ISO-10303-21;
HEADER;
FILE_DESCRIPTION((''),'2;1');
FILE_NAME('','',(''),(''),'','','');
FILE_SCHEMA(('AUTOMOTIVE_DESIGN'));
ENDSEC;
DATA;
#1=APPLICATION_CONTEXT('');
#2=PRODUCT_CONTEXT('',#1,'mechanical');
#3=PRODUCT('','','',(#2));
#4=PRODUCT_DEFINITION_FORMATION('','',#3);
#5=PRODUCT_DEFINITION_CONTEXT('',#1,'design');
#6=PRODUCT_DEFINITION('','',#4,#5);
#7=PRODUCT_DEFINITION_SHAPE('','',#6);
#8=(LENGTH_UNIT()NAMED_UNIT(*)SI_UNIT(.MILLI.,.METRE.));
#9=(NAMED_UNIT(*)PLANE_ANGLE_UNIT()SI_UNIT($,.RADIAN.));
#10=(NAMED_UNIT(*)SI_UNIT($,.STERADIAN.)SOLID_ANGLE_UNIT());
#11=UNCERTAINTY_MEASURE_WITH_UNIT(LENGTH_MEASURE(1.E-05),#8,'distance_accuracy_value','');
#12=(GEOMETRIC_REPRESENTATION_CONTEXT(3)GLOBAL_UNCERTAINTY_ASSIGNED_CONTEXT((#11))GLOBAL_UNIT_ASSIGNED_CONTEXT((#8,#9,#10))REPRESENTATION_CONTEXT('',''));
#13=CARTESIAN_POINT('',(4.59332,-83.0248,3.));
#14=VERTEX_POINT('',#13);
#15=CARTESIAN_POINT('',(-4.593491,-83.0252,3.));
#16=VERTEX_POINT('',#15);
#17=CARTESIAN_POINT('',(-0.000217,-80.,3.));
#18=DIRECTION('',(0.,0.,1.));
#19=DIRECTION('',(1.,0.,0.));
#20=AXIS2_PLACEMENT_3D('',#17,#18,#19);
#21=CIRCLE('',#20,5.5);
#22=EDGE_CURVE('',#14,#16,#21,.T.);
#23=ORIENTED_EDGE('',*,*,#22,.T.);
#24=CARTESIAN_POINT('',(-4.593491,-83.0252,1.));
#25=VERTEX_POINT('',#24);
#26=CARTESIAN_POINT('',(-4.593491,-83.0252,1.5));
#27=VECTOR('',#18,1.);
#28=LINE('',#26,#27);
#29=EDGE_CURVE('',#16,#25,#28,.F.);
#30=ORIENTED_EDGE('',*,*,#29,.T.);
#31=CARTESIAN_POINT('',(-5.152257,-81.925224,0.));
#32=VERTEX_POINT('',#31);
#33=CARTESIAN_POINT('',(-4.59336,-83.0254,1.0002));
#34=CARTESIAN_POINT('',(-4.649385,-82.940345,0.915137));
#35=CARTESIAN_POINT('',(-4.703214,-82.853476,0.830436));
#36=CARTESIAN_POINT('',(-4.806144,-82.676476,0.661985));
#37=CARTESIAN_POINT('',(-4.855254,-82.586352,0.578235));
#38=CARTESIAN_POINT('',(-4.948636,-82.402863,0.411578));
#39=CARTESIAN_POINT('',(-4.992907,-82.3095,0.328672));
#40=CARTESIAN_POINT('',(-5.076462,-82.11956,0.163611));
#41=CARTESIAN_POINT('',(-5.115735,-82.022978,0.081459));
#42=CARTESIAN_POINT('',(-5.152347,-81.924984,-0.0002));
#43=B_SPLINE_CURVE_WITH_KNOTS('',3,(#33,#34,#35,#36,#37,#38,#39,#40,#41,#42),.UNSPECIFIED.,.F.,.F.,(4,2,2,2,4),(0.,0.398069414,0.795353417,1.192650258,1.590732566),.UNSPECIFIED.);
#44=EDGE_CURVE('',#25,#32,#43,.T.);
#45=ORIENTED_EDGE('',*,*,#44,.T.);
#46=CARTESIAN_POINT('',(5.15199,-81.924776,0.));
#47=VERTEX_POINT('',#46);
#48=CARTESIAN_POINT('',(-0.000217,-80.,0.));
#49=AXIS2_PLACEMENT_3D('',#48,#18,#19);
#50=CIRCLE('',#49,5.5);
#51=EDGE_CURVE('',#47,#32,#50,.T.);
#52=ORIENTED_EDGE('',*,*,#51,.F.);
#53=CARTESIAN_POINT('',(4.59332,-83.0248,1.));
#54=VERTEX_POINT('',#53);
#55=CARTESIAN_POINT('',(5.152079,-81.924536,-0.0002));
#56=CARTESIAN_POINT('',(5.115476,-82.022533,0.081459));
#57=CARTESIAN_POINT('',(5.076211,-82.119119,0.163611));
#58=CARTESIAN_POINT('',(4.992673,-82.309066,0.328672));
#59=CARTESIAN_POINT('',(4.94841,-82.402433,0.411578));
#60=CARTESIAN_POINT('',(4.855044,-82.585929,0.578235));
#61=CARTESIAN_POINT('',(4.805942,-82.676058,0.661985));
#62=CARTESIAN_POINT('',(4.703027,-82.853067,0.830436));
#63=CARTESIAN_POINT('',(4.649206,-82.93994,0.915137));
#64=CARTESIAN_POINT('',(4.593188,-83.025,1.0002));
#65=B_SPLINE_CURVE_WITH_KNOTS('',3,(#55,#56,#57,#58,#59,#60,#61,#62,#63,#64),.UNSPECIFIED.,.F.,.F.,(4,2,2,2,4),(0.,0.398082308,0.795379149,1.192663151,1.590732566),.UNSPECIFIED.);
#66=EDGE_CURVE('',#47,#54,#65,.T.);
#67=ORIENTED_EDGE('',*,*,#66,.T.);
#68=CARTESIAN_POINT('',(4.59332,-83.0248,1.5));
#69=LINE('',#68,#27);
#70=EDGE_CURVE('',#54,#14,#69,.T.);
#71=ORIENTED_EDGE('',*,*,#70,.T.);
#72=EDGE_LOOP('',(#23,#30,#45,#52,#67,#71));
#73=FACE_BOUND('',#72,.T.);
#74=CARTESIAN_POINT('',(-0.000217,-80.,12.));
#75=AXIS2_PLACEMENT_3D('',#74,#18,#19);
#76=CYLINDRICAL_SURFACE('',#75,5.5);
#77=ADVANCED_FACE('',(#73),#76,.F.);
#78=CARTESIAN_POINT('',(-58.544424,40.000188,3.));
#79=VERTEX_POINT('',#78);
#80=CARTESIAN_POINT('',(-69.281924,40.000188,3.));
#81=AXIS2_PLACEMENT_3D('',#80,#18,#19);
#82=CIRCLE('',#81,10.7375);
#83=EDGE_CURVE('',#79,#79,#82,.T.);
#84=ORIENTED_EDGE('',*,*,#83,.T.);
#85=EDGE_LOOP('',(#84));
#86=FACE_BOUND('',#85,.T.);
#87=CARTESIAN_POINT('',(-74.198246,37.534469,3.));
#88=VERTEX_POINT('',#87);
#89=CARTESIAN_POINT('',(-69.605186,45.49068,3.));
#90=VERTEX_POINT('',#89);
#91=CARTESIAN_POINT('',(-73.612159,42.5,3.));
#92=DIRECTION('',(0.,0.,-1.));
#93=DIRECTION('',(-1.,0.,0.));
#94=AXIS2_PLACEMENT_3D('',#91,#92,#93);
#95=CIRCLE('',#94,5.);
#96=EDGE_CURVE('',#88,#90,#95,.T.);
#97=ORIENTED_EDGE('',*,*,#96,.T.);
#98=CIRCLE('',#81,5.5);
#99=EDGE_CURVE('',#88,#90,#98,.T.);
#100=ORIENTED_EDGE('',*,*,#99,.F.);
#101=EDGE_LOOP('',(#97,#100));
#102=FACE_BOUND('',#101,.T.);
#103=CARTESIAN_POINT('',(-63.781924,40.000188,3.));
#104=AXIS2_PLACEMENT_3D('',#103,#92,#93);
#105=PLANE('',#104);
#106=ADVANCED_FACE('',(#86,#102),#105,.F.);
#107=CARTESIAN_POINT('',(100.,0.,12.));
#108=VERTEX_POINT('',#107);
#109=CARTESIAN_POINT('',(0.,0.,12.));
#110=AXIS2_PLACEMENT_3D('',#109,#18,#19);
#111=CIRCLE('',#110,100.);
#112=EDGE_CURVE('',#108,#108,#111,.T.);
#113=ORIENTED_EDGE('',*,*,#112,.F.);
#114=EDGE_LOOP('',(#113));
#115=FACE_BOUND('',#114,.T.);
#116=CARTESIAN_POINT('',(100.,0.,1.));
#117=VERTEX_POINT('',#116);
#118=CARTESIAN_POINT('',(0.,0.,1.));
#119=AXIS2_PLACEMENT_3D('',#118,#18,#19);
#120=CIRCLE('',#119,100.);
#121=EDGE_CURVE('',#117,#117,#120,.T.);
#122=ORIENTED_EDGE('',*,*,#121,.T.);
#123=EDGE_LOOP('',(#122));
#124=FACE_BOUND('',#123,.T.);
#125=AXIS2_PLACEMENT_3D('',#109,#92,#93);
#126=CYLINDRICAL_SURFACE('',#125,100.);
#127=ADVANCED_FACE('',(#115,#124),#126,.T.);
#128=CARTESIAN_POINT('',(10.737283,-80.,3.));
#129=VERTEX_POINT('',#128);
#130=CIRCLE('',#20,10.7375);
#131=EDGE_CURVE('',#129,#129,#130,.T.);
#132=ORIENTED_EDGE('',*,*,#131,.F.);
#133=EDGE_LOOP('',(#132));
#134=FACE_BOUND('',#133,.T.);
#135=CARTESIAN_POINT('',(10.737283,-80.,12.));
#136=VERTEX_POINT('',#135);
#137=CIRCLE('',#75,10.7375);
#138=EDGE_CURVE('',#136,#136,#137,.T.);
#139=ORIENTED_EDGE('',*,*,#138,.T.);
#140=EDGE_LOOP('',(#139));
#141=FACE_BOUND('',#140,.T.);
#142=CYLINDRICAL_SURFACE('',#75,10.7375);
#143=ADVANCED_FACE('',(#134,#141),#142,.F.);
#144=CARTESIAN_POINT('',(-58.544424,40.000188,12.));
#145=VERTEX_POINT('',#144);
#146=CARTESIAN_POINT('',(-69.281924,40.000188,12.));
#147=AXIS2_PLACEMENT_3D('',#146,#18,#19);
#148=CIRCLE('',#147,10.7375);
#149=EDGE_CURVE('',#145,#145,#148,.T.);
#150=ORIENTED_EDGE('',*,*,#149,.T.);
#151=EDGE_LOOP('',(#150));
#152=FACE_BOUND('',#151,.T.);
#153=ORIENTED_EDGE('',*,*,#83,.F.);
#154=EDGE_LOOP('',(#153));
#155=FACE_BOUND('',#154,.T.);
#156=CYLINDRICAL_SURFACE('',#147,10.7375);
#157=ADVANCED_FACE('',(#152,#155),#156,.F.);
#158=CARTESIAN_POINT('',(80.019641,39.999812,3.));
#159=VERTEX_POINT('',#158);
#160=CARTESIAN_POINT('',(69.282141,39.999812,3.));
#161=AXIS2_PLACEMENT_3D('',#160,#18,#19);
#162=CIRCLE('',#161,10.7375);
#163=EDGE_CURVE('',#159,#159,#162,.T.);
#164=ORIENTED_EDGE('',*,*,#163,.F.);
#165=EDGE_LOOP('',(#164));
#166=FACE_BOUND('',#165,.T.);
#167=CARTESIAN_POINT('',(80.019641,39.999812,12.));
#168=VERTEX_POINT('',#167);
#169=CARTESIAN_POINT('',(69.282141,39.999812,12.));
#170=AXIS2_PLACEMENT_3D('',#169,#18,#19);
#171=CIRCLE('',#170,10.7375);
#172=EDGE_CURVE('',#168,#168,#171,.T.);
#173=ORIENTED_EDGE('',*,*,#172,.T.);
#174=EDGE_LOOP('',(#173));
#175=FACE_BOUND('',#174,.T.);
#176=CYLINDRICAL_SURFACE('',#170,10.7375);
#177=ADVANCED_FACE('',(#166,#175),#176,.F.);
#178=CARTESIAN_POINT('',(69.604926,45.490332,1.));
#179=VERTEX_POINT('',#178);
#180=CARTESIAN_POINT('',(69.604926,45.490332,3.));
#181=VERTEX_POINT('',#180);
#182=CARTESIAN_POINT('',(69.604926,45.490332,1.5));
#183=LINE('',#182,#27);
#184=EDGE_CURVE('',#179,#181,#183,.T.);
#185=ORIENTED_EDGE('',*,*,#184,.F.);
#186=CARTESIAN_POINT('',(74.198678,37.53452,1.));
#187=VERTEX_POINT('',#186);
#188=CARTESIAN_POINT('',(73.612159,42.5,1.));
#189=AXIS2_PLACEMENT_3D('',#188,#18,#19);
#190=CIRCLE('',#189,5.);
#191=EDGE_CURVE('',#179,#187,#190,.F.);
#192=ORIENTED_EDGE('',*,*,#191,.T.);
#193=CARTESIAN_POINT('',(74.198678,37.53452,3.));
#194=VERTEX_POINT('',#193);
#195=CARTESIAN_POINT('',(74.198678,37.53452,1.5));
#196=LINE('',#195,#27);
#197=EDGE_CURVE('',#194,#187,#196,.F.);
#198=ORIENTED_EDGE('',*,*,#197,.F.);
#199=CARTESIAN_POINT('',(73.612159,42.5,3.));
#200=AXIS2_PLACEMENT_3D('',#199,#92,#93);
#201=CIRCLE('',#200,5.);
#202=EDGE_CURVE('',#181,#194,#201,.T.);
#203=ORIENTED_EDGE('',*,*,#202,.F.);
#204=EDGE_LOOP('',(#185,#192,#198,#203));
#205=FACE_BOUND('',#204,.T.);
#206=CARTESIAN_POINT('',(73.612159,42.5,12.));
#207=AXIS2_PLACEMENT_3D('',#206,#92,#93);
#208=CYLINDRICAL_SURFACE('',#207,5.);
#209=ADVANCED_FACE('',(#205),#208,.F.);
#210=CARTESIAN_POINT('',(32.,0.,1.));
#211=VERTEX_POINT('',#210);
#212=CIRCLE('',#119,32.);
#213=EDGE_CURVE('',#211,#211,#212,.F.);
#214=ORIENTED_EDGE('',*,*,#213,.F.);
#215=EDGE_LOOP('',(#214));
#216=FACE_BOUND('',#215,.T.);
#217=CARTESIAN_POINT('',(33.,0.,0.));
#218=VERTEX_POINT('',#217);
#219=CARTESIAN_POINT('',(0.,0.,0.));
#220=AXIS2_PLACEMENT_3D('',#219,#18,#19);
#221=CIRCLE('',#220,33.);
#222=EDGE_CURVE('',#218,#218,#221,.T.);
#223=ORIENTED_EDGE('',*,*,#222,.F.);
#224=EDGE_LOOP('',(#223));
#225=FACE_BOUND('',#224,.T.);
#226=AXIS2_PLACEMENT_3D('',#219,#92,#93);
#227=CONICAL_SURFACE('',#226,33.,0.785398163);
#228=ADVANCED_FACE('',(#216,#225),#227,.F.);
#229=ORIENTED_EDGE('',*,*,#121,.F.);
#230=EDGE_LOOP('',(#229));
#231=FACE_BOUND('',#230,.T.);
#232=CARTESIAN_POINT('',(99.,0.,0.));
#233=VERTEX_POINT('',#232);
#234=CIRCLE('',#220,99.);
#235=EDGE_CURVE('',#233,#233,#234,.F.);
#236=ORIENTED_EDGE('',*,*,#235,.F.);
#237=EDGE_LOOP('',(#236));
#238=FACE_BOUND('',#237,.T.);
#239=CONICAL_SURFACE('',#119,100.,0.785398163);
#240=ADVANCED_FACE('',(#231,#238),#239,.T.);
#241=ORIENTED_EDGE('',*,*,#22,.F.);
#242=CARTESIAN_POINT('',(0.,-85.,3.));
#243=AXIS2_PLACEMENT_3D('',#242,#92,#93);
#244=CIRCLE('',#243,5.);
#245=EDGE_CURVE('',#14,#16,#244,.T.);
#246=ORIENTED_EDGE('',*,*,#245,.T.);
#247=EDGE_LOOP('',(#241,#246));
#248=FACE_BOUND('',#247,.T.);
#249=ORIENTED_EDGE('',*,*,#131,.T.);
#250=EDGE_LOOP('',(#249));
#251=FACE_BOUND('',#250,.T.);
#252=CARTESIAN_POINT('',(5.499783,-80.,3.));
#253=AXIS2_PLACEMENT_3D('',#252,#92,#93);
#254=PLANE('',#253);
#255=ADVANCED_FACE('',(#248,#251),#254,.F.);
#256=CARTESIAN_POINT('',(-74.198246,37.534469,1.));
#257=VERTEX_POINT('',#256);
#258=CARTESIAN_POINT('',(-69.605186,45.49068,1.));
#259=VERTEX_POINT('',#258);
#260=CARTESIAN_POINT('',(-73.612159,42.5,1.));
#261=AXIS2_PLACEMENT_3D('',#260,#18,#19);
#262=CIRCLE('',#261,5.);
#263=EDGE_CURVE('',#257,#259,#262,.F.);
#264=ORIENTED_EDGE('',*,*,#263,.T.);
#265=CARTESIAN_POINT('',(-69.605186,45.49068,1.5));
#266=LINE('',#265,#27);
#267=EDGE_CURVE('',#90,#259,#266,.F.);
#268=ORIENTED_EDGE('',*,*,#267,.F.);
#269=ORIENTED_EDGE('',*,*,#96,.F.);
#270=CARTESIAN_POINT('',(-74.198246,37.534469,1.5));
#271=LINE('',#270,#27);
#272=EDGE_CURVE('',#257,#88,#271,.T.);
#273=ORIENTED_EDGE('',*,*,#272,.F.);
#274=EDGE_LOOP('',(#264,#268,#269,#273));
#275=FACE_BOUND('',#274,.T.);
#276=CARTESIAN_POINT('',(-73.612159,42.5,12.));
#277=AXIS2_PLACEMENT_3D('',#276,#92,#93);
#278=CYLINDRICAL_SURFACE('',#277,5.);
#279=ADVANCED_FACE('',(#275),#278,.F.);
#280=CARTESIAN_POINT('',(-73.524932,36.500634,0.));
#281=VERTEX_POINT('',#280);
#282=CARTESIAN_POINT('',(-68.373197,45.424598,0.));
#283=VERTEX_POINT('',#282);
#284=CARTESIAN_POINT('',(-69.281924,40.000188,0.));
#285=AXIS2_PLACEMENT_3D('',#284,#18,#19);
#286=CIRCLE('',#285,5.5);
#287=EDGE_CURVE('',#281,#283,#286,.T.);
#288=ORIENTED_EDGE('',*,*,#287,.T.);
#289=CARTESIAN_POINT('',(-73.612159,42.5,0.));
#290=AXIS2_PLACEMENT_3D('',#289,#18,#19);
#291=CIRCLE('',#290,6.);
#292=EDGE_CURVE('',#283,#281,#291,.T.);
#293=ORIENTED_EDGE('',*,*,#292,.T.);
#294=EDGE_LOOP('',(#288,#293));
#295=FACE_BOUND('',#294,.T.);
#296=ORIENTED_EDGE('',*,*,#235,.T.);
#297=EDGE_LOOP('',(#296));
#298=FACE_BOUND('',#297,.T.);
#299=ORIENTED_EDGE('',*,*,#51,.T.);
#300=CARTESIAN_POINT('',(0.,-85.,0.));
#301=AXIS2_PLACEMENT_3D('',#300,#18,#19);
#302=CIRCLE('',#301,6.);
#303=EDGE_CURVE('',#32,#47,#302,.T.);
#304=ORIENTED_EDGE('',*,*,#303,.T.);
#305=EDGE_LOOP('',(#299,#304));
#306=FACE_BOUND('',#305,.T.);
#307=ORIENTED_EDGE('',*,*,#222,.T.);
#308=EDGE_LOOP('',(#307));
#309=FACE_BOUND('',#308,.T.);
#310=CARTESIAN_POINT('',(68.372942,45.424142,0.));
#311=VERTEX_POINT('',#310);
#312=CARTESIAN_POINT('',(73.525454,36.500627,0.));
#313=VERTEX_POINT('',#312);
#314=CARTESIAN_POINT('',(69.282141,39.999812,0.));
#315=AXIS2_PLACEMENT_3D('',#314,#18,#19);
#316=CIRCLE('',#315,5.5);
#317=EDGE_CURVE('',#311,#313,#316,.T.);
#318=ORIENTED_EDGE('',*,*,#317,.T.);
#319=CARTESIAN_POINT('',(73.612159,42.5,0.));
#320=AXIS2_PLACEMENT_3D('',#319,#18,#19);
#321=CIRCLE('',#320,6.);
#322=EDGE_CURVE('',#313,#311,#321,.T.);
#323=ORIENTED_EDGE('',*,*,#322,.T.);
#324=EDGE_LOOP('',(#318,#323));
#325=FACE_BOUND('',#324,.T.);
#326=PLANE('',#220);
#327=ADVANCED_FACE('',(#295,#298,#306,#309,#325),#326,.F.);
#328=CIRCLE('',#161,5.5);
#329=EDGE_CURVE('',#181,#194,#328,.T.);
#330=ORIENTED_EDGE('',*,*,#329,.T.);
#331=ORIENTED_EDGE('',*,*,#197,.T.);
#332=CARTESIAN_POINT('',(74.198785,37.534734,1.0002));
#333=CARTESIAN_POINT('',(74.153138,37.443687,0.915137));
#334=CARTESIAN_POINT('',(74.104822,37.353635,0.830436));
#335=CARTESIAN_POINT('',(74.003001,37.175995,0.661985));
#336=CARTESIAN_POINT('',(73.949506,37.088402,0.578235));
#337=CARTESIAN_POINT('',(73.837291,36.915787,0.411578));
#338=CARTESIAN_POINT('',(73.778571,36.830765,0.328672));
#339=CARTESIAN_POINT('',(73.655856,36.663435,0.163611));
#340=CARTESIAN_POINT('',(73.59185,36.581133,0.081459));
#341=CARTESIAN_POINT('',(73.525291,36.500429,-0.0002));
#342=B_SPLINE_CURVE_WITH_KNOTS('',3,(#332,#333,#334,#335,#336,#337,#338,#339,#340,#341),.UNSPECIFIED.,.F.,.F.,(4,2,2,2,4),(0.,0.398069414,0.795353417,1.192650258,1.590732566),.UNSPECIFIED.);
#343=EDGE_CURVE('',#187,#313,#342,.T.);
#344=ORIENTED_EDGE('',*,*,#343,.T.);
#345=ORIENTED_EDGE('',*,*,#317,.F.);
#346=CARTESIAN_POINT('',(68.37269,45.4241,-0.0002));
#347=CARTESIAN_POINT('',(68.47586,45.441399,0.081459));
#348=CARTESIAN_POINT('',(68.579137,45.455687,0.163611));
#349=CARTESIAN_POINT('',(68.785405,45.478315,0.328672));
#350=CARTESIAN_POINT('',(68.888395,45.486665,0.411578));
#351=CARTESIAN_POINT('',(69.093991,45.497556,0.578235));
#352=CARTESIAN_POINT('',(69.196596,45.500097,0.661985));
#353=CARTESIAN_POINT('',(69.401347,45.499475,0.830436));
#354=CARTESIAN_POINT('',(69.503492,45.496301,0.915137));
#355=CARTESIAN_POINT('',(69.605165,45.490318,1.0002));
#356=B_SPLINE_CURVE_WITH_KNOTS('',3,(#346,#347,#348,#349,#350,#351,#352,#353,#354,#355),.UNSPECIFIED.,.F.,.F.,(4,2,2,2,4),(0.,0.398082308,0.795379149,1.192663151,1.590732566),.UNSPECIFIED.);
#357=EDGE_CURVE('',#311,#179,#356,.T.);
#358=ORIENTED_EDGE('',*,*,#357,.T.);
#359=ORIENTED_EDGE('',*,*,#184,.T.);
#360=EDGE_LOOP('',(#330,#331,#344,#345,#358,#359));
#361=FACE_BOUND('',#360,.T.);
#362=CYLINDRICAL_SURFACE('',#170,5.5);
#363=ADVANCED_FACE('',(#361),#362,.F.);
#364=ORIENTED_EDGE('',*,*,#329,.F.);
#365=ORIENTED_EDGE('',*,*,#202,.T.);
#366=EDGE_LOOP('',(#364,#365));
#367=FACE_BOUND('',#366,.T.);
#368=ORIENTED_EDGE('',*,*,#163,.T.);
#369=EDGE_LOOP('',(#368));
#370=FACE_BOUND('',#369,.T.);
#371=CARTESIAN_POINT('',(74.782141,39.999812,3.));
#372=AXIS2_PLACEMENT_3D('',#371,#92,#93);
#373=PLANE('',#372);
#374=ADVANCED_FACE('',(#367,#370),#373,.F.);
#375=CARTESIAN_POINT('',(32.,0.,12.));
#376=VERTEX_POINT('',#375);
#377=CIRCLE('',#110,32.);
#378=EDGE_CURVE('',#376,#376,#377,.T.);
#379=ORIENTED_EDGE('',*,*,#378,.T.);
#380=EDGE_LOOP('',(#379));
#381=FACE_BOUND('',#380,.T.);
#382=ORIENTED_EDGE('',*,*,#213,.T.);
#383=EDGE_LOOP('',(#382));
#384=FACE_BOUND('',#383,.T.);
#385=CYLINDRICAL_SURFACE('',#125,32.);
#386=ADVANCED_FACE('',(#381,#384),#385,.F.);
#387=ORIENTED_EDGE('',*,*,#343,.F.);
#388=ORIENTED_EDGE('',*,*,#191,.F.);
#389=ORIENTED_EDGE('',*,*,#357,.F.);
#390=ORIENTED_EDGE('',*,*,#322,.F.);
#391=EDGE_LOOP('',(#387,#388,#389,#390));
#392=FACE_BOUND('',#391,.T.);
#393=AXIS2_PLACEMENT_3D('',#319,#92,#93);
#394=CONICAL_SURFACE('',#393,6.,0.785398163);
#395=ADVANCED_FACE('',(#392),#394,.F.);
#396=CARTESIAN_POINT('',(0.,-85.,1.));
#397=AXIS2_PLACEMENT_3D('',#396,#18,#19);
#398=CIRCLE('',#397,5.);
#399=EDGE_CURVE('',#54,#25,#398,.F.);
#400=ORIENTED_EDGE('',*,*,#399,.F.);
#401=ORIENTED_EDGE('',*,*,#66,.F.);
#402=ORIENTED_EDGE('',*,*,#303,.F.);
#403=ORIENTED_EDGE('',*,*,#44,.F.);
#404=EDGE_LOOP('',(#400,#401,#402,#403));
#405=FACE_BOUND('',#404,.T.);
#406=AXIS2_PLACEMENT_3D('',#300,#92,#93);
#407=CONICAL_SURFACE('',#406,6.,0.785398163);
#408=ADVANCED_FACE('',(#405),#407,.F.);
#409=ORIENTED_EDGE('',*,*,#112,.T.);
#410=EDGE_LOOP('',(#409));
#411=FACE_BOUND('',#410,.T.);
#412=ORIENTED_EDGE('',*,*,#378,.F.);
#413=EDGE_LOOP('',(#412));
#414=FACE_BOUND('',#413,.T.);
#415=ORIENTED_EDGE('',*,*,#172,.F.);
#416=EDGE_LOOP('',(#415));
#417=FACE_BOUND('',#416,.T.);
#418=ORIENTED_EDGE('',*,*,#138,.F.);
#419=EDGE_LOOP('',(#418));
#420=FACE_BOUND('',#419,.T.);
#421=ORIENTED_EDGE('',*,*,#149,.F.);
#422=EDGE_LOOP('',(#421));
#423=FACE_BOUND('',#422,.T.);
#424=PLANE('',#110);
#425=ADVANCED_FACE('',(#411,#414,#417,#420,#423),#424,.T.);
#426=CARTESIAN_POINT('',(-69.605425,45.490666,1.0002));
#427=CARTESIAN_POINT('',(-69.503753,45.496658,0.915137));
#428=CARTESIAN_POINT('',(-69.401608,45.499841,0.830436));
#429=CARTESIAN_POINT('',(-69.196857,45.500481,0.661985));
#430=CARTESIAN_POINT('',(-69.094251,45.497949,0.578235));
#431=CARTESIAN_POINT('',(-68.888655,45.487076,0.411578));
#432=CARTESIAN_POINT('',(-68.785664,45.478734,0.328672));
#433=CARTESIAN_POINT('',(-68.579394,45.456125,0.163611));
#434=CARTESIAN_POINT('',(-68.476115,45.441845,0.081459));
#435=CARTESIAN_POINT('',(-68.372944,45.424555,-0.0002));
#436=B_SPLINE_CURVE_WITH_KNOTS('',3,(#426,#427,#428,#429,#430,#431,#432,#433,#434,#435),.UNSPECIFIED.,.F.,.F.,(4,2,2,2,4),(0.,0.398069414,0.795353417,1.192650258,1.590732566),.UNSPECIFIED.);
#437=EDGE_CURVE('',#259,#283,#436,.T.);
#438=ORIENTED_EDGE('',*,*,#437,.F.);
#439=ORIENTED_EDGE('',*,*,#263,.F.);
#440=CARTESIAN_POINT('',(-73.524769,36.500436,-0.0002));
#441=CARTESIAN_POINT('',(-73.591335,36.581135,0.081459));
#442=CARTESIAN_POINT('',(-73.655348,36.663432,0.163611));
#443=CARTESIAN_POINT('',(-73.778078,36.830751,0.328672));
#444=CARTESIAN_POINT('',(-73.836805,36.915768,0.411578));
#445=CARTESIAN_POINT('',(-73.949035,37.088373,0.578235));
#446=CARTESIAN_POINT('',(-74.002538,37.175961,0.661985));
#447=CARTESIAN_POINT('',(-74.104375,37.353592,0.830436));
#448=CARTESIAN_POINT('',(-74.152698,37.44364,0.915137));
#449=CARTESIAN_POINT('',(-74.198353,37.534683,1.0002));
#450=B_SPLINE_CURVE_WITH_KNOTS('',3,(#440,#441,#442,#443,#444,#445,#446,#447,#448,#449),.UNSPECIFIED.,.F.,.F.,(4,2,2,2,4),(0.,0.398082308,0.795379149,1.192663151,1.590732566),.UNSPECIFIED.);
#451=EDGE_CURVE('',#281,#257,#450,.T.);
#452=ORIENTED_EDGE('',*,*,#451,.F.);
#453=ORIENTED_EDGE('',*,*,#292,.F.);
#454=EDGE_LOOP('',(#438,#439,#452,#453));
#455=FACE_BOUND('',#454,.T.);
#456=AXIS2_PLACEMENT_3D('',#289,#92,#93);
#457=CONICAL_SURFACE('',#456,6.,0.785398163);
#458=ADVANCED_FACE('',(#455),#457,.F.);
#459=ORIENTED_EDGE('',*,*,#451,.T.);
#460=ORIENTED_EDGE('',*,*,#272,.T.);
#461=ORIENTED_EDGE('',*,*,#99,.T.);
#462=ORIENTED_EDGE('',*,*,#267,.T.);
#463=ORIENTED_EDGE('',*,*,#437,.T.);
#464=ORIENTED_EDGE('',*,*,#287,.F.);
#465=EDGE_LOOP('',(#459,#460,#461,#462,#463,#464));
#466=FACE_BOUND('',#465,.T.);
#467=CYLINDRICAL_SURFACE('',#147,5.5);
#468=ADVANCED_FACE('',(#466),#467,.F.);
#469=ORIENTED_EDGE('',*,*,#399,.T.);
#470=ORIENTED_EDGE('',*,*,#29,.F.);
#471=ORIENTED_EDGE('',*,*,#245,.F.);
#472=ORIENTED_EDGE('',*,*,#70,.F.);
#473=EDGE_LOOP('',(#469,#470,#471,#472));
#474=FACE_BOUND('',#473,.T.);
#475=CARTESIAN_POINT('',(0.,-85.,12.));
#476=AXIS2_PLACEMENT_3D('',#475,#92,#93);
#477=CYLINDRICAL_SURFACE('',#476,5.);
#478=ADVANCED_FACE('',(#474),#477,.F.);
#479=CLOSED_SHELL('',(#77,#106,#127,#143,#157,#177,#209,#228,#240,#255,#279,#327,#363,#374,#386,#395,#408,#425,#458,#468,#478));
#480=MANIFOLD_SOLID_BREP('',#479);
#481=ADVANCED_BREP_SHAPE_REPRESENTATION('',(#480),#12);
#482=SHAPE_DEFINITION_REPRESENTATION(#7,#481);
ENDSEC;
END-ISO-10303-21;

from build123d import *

# Parameters (mm, degrees)
SCHIZZO1_R                                           = 100
SCHIZZO1_R_2                                         = 32
SCHIZZO1_R_3                                         = 5
ESTRUSIONE1_DEPTH                                    = 12
SMUSSO1_SIZE                                         = 1
M10_FORO_LAMATO_PER_VITE_A_TESTA_ESAGONA_D           = 11
M10_FORO_LAMATO_PER_VITE_A_TESTA_ESAGONA_CBORE_D     = 21.475
M10_FORO_LAMATO_PER_VITE_A_TESTA_ESAGONA_CBORE_DEPTH = 9


with BuildPart() as part:
    # Schizzo1 → Estrusione1 (new body)
    with BuildSketch(Plane.XY):
        Circle(SCHIZZO1_R)
        Circle(SCHIZZO1_R_2, mode=Mode.SUBTRACT)
        with Locations((-73.612159322, 42.5)):
            Circle(SCHIZZO1_R_3, mode=Mode.SUBTRACT)
        with Locations((73.612159322, 42.5)):
            Circle(SCHIZZO1_R_3, mode=Mode.SUBTRACT)
        with Locations((0, -85)):
            Circle(SCHIZZO1_R_3, mode=Mode.SUBTRACT)
    extrude(amount=ESTRUSIONE1_DEPTH)

    # Smusso1
    smusso1_edges = [part.edges().sort_by_distance(p)[0] for p in [
        (68.612159322, 42.5, 0),
        (-5, -85, 0),
        (-100, 0, 0),
        (-32, 0, 0),
        (-78.612159322, 42.5, 0),
    ]]
    chamfer(smusso1_edges, length=SMUSSO1_SIZE)

    # M10 Foro lamato per vite a testa esagonale (parzialmente filettata)2 (through all)
    with Locations(Plane(origin=(-8.776237921, -26.129151675, 12), x_dir=(0.9999999999963068, -2.7178071316053742e-06, 0), z_dir=(0, 0, 1))):
        with Locations((-60.505865396, 66.129175527), (8.776166907, -53.870824473), (78.05819921, 66.129175527)):
            CounterBoreHole(M10_FORO_LAMATO_PER_VITE_A_TESTA_ESAGONA_D / 2, M10_FORO_LAMATO_PER_VITE_A_TESTA_ESAGONA_CBORE_D / 2, M10_FORO_LAMATO_PER_VITE_A_TESTA_ESAGONA_CBORE_DEPTH)


solid = part.part
